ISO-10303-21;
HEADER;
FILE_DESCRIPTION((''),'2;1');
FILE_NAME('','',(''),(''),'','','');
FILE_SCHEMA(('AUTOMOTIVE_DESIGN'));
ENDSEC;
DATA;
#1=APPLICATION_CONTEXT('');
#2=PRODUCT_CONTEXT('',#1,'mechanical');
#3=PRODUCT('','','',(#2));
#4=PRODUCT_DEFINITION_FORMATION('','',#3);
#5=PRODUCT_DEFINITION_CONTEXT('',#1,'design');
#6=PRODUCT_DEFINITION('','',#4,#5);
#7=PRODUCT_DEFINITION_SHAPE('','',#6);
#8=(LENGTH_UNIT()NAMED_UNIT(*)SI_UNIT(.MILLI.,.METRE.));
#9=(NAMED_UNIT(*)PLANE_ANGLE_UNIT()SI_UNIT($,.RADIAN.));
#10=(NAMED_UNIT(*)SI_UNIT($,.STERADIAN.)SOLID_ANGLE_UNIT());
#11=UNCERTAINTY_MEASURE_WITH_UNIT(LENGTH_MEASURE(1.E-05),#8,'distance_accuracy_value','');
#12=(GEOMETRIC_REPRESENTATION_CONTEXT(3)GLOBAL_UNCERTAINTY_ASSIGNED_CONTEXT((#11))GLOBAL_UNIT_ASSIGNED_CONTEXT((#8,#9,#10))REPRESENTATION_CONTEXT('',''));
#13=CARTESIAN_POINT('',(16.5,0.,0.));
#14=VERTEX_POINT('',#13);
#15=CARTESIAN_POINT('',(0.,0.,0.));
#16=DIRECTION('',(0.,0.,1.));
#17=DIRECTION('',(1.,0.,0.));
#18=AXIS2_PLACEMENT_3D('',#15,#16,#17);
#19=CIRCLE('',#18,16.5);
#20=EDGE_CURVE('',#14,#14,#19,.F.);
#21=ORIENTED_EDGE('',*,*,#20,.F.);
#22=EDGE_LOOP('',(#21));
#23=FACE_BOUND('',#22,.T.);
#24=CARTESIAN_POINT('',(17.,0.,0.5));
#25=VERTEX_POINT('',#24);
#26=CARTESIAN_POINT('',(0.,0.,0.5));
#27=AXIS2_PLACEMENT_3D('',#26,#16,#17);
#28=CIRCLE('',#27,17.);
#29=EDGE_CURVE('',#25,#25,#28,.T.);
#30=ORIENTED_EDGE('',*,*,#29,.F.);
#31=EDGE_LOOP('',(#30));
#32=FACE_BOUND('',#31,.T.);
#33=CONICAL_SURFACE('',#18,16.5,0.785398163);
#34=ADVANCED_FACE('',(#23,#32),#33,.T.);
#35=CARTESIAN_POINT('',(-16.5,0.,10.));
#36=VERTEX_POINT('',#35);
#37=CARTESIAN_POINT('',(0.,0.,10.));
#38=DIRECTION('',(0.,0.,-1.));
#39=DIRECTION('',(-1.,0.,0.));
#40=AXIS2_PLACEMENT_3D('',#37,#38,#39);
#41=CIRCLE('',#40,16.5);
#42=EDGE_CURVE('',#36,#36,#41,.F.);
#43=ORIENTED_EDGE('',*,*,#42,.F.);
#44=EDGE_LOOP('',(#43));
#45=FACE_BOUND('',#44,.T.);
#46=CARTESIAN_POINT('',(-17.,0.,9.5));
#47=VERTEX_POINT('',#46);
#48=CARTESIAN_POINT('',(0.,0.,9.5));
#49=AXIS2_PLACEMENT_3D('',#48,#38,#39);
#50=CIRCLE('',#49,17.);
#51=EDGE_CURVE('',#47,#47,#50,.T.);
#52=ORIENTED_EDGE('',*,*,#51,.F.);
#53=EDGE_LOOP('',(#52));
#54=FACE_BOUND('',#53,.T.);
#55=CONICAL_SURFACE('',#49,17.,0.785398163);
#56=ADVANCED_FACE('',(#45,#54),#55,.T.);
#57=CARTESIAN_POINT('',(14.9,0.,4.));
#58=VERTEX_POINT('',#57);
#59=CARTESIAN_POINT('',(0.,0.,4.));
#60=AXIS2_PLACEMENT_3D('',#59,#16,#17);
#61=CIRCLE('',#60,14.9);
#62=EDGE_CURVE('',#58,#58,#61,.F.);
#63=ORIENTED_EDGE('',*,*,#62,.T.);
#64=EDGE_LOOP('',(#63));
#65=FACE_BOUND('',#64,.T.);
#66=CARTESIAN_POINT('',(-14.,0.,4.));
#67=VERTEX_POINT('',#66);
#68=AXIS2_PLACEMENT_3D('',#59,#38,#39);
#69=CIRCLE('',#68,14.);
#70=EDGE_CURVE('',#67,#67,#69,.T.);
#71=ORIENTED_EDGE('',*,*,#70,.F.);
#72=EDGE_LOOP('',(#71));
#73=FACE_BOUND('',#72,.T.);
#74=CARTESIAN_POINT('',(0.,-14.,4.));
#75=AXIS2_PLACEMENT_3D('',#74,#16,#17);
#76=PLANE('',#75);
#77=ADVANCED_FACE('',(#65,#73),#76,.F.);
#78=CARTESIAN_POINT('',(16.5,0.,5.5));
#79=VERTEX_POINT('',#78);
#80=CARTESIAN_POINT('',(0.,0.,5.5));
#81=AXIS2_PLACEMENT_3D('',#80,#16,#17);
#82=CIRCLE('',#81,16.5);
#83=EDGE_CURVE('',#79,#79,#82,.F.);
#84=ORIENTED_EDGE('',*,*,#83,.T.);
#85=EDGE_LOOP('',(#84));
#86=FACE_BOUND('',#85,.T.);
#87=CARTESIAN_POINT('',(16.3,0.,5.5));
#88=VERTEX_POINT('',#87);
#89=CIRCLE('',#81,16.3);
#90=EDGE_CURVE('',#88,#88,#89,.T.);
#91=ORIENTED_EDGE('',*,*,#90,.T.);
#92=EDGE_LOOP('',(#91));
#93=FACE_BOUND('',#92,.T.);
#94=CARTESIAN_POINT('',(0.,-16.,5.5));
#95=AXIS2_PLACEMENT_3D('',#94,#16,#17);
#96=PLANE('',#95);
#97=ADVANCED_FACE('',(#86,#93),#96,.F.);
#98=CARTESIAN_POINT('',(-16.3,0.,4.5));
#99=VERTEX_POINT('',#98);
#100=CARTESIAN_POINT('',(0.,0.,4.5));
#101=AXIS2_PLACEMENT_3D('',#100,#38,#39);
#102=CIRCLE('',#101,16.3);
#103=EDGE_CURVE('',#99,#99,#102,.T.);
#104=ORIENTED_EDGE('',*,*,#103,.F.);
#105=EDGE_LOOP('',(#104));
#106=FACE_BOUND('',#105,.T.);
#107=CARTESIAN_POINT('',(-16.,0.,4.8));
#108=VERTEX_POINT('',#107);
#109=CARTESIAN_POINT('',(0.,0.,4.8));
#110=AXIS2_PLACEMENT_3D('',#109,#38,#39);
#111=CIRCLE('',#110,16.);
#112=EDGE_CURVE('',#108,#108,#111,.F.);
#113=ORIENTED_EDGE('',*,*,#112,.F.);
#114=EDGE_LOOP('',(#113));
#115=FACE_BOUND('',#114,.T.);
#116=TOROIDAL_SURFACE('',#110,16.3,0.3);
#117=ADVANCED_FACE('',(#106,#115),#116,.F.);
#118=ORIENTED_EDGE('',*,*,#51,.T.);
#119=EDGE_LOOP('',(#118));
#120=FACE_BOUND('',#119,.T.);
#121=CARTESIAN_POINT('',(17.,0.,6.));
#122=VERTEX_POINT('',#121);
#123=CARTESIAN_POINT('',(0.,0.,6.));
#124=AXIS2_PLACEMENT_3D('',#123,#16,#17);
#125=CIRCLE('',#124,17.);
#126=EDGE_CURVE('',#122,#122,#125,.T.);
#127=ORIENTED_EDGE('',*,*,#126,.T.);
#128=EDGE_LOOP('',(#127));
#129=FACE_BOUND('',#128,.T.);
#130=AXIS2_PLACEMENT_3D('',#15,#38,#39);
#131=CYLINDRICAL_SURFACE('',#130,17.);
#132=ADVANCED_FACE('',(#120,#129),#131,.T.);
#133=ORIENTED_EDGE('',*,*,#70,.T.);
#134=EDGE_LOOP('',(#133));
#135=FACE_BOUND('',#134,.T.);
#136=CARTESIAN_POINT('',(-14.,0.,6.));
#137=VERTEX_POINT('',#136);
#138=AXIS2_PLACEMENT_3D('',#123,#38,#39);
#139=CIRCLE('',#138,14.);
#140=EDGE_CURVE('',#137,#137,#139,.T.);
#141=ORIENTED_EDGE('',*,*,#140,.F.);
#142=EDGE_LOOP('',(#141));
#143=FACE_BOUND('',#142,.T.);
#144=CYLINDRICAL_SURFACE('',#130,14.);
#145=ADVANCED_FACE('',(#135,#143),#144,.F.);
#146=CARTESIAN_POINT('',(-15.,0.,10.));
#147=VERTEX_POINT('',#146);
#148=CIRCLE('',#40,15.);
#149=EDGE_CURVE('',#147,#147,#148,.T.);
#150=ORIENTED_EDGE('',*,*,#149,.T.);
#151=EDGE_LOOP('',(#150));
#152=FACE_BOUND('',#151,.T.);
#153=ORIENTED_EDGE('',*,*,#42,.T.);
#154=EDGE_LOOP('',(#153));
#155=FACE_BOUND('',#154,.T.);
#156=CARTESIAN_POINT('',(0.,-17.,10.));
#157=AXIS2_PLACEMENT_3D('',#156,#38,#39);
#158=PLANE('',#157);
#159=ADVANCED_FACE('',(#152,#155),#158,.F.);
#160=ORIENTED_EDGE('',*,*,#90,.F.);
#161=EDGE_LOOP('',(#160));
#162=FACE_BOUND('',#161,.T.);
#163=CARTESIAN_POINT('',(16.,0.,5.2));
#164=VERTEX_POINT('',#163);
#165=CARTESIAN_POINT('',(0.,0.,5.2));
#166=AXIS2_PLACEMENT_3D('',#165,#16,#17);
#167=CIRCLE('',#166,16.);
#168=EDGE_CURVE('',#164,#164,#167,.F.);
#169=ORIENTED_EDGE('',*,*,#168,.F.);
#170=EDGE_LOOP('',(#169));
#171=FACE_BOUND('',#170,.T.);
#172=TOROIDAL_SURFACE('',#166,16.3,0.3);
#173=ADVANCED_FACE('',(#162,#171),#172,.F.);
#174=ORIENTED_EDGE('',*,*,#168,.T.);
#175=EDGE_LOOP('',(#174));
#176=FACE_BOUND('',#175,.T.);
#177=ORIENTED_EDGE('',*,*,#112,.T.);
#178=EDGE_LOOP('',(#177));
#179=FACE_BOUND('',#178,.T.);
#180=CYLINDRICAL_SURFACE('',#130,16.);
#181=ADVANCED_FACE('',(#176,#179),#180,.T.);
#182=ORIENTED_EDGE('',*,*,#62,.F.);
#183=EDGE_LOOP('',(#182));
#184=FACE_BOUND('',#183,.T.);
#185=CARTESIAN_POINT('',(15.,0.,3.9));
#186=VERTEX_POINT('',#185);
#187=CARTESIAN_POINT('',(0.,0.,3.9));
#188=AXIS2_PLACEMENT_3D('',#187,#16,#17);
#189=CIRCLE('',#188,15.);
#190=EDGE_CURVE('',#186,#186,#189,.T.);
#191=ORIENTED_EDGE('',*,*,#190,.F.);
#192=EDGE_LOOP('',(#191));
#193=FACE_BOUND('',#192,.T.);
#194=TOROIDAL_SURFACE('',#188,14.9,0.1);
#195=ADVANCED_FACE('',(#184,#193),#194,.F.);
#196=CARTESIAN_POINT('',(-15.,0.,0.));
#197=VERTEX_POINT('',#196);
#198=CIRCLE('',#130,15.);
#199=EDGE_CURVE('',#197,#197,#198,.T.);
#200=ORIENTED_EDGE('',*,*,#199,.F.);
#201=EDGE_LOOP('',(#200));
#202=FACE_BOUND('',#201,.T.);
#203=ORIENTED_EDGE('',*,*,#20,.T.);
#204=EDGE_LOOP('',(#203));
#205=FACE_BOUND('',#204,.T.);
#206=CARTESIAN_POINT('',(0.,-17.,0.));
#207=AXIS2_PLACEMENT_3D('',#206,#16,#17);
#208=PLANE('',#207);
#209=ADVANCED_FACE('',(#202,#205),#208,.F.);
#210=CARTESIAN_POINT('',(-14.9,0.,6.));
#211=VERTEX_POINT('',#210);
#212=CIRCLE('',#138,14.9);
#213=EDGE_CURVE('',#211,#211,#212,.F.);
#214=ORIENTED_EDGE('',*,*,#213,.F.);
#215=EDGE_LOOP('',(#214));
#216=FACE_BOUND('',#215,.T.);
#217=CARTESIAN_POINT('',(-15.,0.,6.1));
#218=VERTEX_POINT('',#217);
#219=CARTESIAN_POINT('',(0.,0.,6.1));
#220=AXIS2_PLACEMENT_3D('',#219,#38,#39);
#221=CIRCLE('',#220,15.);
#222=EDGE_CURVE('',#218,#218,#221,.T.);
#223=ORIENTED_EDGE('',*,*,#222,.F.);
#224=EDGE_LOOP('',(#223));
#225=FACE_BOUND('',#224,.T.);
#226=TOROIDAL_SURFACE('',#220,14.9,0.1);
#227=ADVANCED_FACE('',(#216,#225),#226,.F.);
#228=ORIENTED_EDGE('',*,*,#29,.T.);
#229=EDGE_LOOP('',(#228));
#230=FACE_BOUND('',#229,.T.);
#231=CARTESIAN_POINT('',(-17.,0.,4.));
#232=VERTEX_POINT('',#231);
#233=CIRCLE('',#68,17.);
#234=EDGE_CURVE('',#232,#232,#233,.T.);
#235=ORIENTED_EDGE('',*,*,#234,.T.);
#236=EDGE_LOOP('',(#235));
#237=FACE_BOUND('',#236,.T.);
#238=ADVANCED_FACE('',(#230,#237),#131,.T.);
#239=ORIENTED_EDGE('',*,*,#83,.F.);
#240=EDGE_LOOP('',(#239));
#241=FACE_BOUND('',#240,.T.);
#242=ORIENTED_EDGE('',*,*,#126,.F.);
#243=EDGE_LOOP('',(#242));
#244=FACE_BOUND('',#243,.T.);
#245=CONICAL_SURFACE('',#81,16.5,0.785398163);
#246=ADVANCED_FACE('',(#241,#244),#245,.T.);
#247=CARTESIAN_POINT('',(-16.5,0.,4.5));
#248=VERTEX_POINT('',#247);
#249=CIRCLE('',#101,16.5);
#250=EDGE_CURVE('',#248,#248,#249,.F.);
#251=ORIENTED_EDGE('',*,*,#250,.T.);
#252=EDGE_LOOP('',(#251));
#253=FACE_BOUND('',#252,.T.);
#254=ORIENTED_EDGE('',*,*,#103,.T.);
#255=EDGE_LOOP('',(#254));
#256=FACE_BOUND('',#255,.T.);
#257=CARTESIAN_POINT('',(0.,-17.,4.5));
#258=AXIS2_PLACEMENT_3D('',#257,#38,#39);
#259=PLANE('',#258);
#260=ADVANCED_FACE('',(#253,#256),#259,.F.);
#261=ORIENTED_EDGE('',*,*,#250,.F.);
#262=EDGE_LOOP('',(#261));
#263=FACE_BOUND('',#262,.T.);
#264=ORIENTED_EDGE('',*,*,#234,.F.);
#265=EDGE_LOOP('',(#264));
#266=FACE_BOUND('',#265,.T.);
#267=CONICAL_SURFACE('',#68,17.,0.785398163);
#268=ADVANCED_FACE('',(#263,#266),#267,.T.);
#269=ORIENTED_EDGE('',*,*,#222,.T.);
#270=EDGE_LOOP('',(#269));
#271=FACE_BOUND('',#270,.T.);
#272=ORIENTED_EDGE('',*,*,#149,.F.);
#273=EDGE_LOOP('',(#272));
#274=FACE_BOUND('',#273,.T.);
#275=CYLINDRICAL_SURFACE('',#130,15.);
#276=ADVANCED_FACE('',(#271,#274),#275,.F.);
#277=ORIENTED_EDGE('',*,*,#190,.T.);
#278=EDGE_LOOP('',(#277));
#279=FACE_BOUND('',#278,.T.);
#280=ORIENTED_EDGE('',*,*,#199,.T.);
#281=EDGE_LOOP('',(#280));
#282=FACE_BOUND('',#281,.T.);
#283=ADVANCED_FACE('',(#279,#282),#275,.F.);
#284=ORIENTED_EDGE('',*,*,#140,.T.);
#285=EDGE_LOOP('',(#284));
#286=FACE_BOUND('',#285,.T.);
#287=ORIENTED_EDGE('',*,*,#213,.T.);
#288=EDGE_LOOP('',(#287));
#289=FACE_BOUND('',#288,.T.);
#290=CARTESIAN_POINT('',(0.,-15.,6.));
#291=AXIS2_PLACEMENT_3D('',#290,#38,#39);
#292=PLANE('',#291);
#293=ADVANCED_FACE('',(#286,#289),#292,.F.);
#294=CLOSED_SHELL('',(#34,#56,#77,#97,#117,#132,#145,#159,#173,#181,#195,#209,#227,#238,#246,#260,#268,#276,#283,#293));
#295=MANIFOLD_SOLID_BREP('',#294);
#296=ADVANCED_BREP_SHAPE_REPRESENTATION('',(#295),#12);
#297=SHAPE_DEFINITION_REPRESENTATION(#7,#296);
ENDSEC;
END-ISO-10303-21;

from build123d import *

# Parameters (mm, degrees)
FILLET_1_R     = 0.3
CHAMFER_1_SIZE = 0.5
FILLET_2_R     = 0.1


with BuildPart() as part:
    # Эскиз18 → Повернуть1 (revolve)
    with BuildSketch(Plane(origin=(0, 0, 0), x_dir=(0, 0, -1), z_dir=(1, 0, 0)), mode=Mode.PRIVATE) as revolve_1_sk:
        Polygon((-10, -15), (-6, -15), (-6, -14), (-4, -14), (-4, -15), (0, -15), (0, -17), (-4.5, -17), (-4.5, -16), (-5.5, -16), (-5.5, -17), (-10, -17), align=None)
    revolve(revolve_1_sk.sketch.rotate(Axis((0, 0, 0), (0, 0, 1)), 270), axis=Axis((0, 0, 0), (0, 0, 1)))

    # Скругление1
    fillet_1_edges = [part.edges().sort_by_distance(p)[0] for p in [
        (16, 0, 5.5),
        (16, 0, 4.5),
    ]]
    fillet(fillet_1_edges, radius=FILLET_1_R)

    # Фаска1
    chamfer_1_edges = [part.edges().sort_by_distance(p)[0] for p in [
        (17, 0, 0),
        (17, 0, 10),
        (17, 0, 5.5),
        (17, 0, 4.5),
    ]]
    chamfer(chamfer_1_edges, length=CHAMFER_1_SIZE)

    # Скругление2
    fillet_2_edges = [part.edges().sort_by_distance(p)[0] for p in [
        (15, 0, 4),
        (15, 0, 6),
    ]]
    fillet(fillet_2_edges, radius=FILLET_2_R)


solid = part.part
